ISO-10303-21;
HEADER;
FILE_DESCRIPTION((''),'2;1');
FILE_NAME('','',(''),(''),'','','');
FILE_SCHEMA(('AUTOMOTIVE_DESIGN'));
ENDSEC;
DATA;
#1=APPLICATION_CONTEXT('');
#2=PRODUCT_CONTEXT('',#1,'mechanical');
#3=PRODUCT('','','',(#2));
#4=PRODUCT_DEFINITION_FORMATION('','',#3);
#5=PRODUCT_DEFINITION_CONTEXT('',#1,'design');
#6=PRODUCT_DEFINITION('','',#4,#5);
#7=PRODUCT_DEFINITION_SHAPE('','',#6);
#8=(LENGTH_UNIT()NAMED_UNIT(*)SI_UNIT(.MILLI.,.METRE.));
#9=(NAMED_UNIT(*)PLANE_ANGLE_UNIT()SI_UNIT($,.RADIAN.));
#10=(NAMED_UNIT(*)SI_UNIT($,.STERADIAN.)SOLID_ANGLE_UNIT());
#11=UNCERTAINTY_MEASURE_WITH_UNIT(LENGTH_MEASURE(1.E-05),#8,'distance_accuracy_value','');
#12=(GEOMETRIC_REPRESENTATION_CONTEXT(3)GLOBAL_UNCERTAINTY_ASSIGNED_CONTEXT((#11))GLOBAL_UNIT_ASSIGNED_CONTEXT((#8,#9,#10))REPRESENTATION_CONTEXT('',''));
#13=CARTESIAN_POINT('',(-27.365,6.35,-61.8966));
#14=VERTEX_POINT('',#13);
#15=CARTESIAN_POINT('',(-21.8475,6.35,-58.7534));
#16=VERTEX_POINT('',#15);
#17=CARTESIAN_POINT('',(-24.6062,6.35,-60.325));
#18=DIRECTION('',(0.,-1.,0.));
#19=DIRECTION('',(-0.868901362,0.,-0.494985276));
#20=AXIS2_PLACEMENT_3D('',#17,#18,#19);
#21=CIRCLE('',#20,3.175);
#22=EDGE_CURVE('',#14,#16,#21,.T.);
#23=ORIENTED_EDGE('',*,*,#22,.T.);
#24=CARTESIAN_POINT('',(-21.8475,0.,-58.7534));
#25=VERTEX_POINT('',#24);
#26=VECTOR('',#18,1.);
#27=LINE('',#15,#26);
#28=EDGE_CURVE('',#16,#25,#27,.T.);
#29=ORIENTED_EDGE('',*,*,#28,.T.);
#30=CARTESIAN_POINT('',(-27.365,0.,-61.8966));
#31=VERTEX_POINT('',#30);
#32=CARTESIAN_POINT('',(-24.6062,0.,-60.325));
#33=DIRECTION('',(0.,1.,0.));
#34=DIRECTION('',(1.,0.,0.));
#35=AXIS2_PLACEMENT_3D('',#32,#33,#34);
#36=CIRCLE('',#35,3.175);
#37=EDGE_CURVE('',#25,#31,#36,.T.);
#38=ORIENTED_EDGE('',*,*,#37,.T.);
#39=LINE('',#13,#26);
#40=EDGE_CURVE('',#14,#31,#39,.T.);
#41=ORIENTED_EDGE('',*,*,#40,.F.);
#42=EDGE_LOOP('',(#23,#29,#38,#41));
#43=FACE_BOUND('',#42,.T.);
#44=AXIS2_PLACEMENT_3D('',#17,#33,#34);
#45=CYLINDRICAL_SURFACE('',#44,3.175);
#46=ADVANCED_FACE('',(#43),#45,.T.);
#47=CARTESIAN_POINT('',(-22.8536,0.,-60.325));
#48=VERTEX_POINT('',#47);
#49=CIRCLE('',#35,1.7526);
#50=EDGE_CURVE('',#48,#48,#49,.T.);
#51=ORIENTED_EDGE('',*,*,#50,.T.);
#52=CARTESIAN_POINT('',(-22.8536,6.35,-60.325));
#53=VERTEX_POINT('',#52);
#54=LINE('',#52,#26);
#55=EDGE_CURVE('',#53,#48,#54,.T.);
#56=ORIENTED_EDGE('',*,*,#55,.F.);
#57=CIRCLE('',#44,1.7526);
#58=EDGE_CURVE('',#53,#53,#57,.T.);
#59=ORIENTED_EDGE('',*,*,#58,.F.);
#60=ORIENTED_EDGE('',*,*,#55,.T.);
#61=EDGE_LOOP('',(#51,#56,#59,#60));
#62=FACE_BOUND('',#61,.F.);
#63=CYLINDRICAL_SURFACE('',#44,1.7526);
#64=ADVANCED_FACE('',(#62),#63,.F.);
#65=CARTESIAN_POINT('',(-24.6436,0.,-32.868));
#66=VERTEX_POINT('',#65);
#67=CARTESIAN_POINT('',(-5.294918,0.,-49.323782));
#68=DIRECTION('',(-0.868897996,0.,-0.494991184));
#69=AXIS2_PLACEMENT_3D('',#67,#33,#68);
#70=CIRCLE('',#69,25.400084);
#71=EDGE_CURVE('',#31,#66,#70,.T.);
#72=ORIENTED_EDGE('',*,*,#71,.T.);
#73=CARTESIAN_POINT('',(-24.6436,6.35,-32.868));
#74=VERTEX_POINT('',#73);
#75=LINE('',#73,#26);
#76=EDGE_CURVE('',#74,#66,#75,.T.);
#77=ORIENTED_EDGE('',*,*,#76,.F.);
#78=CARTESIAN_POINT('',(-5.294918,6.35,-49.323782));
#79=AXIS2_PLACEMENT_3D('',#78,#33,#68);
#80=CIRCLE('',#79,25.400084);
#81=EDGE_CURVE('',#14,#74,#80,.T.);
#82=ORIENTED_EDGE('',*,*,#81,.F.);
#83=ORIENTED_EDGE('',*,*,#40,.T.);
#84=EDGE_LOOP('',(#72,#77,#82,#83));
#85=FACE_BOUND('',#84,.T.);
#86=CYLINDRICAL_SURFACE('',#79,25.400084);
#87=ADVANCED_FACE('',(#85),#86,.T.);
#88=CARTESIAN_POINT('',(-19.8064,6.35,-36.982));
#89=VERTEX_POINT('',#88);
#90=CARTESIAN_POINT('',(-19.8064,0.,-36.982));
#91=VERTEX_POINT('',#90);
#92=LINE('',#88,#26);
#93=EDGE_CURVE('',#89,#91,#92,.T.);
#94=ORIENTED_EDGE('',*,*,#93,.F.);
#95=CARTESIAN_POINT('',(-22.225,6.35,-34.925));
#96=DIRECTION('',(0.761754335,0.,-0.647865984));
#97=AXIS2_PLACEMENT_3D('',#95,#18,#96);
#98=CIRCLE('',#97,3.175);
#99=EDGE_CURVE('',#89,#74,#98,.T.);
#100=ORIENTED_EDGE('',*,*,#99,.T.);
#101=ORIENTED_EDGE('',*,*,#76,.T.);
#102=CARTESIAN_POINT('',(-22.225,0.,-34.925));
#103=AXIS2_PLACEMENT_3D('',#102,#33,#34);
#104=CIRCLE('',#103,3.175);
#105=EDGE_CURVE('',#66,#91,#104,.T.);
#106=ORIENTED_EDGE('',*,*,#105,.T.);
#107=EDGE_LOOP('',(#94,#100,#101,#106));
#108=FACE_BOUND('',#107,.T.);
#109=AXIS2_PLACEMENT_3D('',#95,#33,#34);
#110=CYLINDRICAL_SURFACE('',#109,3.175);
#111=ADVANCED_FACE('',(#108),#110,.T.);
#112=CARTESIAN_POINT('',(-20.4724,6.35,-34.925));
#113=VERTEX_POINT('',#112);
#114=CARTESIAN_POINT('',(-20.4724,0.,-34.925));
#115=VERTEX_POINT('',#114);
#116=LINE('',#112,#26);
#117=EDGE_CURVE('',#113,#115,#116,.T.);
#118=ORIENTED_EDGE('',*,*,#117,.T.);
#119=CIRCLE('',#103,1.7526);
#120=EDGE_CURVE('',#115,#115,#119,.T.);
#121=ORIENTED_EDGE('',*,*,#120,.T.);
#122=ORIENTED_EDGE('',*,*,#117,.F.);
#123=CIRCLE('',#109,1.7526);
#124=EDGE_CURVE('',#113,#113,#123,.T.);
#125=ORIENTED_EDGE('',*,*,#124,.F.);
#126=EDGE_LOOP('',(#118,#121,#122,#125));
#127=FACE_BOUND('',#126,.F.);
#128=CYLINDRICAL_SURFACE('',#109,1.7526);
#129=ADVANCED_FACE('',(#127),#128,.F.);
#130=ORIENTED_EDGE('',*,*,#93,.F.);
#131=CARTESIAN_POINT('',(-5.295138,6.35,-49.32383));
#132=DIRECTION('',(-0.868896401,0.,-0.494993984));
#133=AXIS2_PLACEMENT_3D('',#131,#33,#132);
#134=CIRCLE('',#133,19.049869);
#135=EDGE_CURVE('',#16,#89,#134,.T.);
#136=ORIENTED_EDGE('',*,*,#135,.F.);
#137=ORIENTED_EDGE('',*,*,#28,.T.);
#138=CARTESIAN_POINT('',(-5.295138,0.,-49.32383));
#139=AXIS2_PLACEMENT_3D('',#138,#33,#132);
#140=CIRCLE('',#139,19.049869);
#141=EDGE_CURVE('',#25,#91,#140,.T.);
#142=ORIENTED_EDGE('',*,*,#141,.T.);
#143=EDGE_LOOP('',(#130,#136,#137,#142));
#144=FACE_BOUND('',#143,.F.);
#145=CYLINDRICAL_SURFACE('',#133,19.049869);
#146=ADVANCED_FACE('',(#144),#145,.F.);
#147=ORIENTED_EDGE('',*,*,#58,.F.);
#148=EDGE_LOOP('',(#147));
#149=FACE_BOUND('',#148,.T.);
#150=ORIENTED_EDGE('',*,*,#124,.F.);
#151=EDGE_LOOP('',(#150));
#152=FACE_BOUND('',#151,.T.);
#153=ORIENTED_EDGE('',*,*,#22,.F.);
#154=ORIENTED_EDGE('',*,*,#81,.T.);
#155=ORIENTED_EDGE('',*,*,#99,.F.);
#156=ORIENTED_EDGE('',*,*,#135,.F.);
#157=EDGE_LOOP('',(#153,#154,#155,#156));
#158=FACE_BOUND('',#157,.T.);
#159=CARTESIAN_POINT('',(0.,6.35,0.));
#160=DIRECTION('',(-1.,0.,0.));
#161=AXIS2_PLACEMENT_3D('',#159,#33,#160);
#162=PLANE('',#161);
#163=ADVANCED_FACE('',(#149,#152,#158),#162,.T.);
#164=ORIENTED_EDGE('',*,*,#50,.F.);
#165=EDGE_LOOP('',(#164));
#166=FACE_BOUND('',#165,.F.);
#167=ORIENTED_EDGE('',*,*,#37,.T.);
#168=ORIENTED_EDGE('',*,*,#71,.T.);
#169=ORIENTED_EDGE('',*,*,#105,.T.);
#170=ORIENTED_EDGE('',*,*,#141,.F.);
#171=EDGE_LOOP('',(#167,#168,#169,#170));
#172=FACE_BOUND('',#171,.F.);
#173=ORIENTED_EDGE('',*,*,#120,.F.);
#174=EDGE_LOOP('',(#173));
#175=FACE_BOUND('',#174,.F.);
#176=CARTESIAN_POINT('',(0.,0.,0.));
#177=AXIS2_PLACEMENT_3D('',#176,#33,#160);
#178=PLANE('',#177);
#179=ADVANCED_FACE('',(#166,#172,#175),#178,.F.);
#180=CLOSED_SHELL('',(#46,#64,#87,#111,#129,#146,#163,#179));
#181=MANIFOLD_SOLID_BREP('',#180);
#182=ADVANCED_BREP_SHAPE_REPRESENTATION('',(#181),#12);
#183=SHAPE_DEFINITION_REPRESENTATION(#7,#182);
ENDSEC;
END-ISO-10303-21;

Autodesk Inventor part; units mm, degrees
ref_plane "YZ Plane" through (0, 0, 0) normal (1, 0, 0) x (0, 1, 0)
ref_plane "XZ Plane" through (0, 0, 0) normal (0, 1, 0) x (-1, 0, 0)
ref_plane "XY Plane" through (0, 0, 0) normal (0, 0, 1) x (1, 0, 0)
sketch "Sketch1" plane through (0, 0, 0) normal (0, 1, 0) x (-1, 0, 0)
  circle A0 centre (0, 0) radius 73.025
  line L0 (0, 0) -> (0, -73.025) construction
  line L1 (0, 0) -> (-12.6807, -71.9156)
  line L2 (0, 0) -> (12.6807, -71.9156)
  line L3 (0, 0) -> (72.3143, -10.1631)
  line L4 (0, 0) -> (64.4772, -34.2832)
  line L5 (0, 0) -> (32.0121, 65.6344)
  line L6 (0, 0) -> (52.5298, 50.7274)
  line L7 (0, 0) -> (-52.5298, 50.7274)
  line L8 (0, 0) -> (-32.0121, 65.6344)
  line L9 (0, 0) -> (-64.4772, -34.2832)
  line L10 (0, 0) -> (-72.3143, -10.1631)
  circle A1 centre (0, 0) radius 69.85
  arc A2 (4.7597, -69.6876) -> (-4.7597, -69.6876) centre (0, -69.85) ccw
  arc A3 (67.7477, -17.0079) -> (64.806, -26.0614) centre (66.4313, -21.5848) ccw
  arc A4 (37.1107, 59.1762) -> (44.8121, 53.5808) centre (41.0568, 56.5098) ccw
  arc A5 (-44.8121, 53.5808) -> (-37.1107, 59.1762) centre (-41.0568, 56.5098) ccw
  arc A6 (-64.806, -26.0614) -> (-67.7477, -17.0079) centre (-66.4313, -21.5848) ccw
  point P0 (61.6739, -32.7926)
  point P1 (69.1702, -9.7212)
  point P2 (50.2459, 48.5219)
  point P3 (30.6202, 62.7808)
  point P4 (-30.6202, 62.7808)
  point P5 (-50.2459, 48.5219)
  point P6 (-69.1702, -9.7212)
  point P7 (-61.6739, -32.7926)
  point P8 (-12.1293, -68.7888)
  point P9 (12.1293, -68.7888)
  point P10 (64.806, -26.0614)
  point P11 (67.7477, -17.0079)
  point P12 (44.8121, 53.5808)
  point P13 (37.1107, 59.1762)
  point P14 (-37.1107, 59.1762)
  point P15 (-67.7477, -17.0079)
  dimension "d0" = 146.05
  dimension "d1" = 10
  dimension "d4" = 360
  dimension "d6" = 3.175
  dimension "d10" = 9.525
  dimension "d13" = 360
extrude "Extrusion1" add sketch "Sketch1" along normal blind 6.35 contours A0 L3 A1 L6 | L5 A1 L8 A0 | A1 L3 L6 | L6 L5 A1 A4 | A0 L2 A1 L4 | A1 A3 L4 L3 | L5 L8 A1 | L2 A1 A2 L1 | L4 A1 L2 | L10 A1 L7 | L7 A1 A5 L8 | L1 A1 L9 | L9 A1 A6 L10 | L7 A1 L10 A0 | L1 A0 L9 A1
fillet "Fillet1" radius 1.5875 30 edges at (30.6202, 3.175, 62.7808) (32.0121, 3.175, 65.6344) (-30.6202, 3.175, 62.7808) (-32.0121, 3.175, 65.6344) (-52.5298, 3.175, 50.7274) (-50.2459, 3.175, 48.5219) (52.5298, 3.175, 50.7274) (50.2459, 3.175, 48.5219) (64.4772, 3.175, -34.2832) (61.6739, 3.175, -32.7926) (72.3143, 3.175, -10.1631) (69.1702, 3.175, -9.7212) (12.6807, 3.175, -71.9156) (12.1293, 3.175, -68.7888) (-12.6807, 3.175, -71.9156) (-12.1293, 3.175, -68.7888) (-72.3143, 3.175, -10.1631) (-69.1702, 3.175, -9.7212) (-64.4772, 3.175, -34.2832) (-61.6739, 3.175, -32.7926) (37.1107, 3.175, 59.1762) (44.8121, 3.175, 53.5808) (-44.8121, 3.175, 53.5808) (-37.1107, 3.175, 59.1762) (-64.806, 3.175, -26.0614) (-67.7477, 3.175, -17.0079) (4.7597, 3.175, -69.6876) (-4.7597, 3.175, -69.6876) (67.7477, 3.175, -17.0079) (64.806, 3.175, -26.0614)
sketch "Sketch5" plane through (0, 6.35, 0) normal (0, 1, 0) x (1, 0, 0)
  line L0 (0, 0) -> (0, 65.0875) construction
  arc A0 (-4.554, 68.4564) -> (4.554, 68.4564) centre (0, 69.85) ccw projected
  circle A1 centre (0, 50.8) radius 22.225 construction
  arc A2 (63.6995, 35.7075) -> (14.2757, 71.616) centre (0, 0) ccw projected
  circle A3 centre (-24.6062, 60.325) radius 1.7526
  circle A4 centre (-24.6062, 60.325) radius 3.175
  circle A5 centre (-22.225, 34.925) radius 3.175
  circle A6 centre (-22.225, 34.925) radius 1.7526
  circle A7 centre (24.6062, 60.325) radius 1.7526
  circle A8 centre (24.6062, 60.325) radius 3.175
  circle A9 centre (22.225, 34.925) radius 3.175
  circle A10 centre (22.225, 34.925) radius 1.7526
  arc A11 (6.2133, 69.5731) -> (4.554, 68.4564) centre (6.0721, 67.9919) ccw projected
  arc A12 (6.2133, 69.5731) -> (4.554, 68.4564) centre (6.0721, 67.9919) ccw
  arc A13 (-4.554, 68.4564) -> (-6.2133, 69.5731) centre (-6.0721, 67.9919) ccw projected
  arc A14 (-4.554, 68.4564) -> (-6.2133, 69.5731) centre (-6.0721, 67.9919) ccw
  arc A15 (-12.4019, 70.3348) -> (-10.5977, 69.0414) centre (-10.8385, 70.6105) ccw projected
  arc A16 (10.5977, 69.0414) -> (12.4019, 70.3348) centre (10.8385, 70.6105) ccw projected
  arc A17 (10.5977, 69.0414) -> (6.2133, 69.5731) centre (0, 0) ccw projected
  arc A18 (10.5977, 69.0414) -> (11.9875, 69.515) centre (10.8385, 70.6105) ccw
  arc A19 (-6.2133, 69.5731) -> (-10.5977, 69.0414) centre (0, 0) ccw
  arc A20 (-14.2757, 71.616) -> (-63.6995, 35.7075) centre (0, 0) ccw projected
  line L1 (-28.4451, 67.2572) -> (-25.3861, 34.6286) construction
  line L2 (-22.7046, 31.7864) -> (-3.3572, 28.83) construction
  line L3 (28.4451, 67.2572) -> (25.3861, 34.6286) construction
  line L4 (22.7046, 31.7864) -> (3.3572, 28.83) construction
  circle A21 centre (0, 0) radius 73.025
  circle A22 centre (0, 50.8) radius 19.05 construction
  arc A23 (-27.365, 61.8966) -> (-24.6436, 32.868) centre (-5.295, 49.3238) ccw
  arc A24 (-21.8475, 58.7534) -> (-19.8064, 36.982) centre (-5.295, 49.3238) ccw
  point P0 (-63.6995, 35.7075)
  point P1 (-9.2869, 69.2299)
  point P2 (9.2869, 69.2299)
  point P3 (-5.0165, 69.1776)
  point P4 (5.0165, 69.1776)
  point P5 (14.2757, 71.616)
  dimension "d40" = 44.45
  dimension "d41" = 3.5052
  dimension "d42" = 6.35
  dimension "d43" = 9.525
  dimension "d44" = 24.6062
  dimension "d45" = 6.35
  dimension "d46" = 3.5052
  dimension "d47" = 15.875
  dimension "d48" = 22.225
  dimension "d70" = 38.1
  dimension "d72" = 25.4
  dimension "d73" = 19.05
extrude "Extrusion3" cut sketch "Sketch5" against normal blind 25.4 contours A21 A20 A2 | A3 | A6 | A7 | A8 | A9 | A10
equation "\"d45\" = d42"
equation "\"d46\" = d41"
properties part number "Top Plate" material "Nylon 6/6"
